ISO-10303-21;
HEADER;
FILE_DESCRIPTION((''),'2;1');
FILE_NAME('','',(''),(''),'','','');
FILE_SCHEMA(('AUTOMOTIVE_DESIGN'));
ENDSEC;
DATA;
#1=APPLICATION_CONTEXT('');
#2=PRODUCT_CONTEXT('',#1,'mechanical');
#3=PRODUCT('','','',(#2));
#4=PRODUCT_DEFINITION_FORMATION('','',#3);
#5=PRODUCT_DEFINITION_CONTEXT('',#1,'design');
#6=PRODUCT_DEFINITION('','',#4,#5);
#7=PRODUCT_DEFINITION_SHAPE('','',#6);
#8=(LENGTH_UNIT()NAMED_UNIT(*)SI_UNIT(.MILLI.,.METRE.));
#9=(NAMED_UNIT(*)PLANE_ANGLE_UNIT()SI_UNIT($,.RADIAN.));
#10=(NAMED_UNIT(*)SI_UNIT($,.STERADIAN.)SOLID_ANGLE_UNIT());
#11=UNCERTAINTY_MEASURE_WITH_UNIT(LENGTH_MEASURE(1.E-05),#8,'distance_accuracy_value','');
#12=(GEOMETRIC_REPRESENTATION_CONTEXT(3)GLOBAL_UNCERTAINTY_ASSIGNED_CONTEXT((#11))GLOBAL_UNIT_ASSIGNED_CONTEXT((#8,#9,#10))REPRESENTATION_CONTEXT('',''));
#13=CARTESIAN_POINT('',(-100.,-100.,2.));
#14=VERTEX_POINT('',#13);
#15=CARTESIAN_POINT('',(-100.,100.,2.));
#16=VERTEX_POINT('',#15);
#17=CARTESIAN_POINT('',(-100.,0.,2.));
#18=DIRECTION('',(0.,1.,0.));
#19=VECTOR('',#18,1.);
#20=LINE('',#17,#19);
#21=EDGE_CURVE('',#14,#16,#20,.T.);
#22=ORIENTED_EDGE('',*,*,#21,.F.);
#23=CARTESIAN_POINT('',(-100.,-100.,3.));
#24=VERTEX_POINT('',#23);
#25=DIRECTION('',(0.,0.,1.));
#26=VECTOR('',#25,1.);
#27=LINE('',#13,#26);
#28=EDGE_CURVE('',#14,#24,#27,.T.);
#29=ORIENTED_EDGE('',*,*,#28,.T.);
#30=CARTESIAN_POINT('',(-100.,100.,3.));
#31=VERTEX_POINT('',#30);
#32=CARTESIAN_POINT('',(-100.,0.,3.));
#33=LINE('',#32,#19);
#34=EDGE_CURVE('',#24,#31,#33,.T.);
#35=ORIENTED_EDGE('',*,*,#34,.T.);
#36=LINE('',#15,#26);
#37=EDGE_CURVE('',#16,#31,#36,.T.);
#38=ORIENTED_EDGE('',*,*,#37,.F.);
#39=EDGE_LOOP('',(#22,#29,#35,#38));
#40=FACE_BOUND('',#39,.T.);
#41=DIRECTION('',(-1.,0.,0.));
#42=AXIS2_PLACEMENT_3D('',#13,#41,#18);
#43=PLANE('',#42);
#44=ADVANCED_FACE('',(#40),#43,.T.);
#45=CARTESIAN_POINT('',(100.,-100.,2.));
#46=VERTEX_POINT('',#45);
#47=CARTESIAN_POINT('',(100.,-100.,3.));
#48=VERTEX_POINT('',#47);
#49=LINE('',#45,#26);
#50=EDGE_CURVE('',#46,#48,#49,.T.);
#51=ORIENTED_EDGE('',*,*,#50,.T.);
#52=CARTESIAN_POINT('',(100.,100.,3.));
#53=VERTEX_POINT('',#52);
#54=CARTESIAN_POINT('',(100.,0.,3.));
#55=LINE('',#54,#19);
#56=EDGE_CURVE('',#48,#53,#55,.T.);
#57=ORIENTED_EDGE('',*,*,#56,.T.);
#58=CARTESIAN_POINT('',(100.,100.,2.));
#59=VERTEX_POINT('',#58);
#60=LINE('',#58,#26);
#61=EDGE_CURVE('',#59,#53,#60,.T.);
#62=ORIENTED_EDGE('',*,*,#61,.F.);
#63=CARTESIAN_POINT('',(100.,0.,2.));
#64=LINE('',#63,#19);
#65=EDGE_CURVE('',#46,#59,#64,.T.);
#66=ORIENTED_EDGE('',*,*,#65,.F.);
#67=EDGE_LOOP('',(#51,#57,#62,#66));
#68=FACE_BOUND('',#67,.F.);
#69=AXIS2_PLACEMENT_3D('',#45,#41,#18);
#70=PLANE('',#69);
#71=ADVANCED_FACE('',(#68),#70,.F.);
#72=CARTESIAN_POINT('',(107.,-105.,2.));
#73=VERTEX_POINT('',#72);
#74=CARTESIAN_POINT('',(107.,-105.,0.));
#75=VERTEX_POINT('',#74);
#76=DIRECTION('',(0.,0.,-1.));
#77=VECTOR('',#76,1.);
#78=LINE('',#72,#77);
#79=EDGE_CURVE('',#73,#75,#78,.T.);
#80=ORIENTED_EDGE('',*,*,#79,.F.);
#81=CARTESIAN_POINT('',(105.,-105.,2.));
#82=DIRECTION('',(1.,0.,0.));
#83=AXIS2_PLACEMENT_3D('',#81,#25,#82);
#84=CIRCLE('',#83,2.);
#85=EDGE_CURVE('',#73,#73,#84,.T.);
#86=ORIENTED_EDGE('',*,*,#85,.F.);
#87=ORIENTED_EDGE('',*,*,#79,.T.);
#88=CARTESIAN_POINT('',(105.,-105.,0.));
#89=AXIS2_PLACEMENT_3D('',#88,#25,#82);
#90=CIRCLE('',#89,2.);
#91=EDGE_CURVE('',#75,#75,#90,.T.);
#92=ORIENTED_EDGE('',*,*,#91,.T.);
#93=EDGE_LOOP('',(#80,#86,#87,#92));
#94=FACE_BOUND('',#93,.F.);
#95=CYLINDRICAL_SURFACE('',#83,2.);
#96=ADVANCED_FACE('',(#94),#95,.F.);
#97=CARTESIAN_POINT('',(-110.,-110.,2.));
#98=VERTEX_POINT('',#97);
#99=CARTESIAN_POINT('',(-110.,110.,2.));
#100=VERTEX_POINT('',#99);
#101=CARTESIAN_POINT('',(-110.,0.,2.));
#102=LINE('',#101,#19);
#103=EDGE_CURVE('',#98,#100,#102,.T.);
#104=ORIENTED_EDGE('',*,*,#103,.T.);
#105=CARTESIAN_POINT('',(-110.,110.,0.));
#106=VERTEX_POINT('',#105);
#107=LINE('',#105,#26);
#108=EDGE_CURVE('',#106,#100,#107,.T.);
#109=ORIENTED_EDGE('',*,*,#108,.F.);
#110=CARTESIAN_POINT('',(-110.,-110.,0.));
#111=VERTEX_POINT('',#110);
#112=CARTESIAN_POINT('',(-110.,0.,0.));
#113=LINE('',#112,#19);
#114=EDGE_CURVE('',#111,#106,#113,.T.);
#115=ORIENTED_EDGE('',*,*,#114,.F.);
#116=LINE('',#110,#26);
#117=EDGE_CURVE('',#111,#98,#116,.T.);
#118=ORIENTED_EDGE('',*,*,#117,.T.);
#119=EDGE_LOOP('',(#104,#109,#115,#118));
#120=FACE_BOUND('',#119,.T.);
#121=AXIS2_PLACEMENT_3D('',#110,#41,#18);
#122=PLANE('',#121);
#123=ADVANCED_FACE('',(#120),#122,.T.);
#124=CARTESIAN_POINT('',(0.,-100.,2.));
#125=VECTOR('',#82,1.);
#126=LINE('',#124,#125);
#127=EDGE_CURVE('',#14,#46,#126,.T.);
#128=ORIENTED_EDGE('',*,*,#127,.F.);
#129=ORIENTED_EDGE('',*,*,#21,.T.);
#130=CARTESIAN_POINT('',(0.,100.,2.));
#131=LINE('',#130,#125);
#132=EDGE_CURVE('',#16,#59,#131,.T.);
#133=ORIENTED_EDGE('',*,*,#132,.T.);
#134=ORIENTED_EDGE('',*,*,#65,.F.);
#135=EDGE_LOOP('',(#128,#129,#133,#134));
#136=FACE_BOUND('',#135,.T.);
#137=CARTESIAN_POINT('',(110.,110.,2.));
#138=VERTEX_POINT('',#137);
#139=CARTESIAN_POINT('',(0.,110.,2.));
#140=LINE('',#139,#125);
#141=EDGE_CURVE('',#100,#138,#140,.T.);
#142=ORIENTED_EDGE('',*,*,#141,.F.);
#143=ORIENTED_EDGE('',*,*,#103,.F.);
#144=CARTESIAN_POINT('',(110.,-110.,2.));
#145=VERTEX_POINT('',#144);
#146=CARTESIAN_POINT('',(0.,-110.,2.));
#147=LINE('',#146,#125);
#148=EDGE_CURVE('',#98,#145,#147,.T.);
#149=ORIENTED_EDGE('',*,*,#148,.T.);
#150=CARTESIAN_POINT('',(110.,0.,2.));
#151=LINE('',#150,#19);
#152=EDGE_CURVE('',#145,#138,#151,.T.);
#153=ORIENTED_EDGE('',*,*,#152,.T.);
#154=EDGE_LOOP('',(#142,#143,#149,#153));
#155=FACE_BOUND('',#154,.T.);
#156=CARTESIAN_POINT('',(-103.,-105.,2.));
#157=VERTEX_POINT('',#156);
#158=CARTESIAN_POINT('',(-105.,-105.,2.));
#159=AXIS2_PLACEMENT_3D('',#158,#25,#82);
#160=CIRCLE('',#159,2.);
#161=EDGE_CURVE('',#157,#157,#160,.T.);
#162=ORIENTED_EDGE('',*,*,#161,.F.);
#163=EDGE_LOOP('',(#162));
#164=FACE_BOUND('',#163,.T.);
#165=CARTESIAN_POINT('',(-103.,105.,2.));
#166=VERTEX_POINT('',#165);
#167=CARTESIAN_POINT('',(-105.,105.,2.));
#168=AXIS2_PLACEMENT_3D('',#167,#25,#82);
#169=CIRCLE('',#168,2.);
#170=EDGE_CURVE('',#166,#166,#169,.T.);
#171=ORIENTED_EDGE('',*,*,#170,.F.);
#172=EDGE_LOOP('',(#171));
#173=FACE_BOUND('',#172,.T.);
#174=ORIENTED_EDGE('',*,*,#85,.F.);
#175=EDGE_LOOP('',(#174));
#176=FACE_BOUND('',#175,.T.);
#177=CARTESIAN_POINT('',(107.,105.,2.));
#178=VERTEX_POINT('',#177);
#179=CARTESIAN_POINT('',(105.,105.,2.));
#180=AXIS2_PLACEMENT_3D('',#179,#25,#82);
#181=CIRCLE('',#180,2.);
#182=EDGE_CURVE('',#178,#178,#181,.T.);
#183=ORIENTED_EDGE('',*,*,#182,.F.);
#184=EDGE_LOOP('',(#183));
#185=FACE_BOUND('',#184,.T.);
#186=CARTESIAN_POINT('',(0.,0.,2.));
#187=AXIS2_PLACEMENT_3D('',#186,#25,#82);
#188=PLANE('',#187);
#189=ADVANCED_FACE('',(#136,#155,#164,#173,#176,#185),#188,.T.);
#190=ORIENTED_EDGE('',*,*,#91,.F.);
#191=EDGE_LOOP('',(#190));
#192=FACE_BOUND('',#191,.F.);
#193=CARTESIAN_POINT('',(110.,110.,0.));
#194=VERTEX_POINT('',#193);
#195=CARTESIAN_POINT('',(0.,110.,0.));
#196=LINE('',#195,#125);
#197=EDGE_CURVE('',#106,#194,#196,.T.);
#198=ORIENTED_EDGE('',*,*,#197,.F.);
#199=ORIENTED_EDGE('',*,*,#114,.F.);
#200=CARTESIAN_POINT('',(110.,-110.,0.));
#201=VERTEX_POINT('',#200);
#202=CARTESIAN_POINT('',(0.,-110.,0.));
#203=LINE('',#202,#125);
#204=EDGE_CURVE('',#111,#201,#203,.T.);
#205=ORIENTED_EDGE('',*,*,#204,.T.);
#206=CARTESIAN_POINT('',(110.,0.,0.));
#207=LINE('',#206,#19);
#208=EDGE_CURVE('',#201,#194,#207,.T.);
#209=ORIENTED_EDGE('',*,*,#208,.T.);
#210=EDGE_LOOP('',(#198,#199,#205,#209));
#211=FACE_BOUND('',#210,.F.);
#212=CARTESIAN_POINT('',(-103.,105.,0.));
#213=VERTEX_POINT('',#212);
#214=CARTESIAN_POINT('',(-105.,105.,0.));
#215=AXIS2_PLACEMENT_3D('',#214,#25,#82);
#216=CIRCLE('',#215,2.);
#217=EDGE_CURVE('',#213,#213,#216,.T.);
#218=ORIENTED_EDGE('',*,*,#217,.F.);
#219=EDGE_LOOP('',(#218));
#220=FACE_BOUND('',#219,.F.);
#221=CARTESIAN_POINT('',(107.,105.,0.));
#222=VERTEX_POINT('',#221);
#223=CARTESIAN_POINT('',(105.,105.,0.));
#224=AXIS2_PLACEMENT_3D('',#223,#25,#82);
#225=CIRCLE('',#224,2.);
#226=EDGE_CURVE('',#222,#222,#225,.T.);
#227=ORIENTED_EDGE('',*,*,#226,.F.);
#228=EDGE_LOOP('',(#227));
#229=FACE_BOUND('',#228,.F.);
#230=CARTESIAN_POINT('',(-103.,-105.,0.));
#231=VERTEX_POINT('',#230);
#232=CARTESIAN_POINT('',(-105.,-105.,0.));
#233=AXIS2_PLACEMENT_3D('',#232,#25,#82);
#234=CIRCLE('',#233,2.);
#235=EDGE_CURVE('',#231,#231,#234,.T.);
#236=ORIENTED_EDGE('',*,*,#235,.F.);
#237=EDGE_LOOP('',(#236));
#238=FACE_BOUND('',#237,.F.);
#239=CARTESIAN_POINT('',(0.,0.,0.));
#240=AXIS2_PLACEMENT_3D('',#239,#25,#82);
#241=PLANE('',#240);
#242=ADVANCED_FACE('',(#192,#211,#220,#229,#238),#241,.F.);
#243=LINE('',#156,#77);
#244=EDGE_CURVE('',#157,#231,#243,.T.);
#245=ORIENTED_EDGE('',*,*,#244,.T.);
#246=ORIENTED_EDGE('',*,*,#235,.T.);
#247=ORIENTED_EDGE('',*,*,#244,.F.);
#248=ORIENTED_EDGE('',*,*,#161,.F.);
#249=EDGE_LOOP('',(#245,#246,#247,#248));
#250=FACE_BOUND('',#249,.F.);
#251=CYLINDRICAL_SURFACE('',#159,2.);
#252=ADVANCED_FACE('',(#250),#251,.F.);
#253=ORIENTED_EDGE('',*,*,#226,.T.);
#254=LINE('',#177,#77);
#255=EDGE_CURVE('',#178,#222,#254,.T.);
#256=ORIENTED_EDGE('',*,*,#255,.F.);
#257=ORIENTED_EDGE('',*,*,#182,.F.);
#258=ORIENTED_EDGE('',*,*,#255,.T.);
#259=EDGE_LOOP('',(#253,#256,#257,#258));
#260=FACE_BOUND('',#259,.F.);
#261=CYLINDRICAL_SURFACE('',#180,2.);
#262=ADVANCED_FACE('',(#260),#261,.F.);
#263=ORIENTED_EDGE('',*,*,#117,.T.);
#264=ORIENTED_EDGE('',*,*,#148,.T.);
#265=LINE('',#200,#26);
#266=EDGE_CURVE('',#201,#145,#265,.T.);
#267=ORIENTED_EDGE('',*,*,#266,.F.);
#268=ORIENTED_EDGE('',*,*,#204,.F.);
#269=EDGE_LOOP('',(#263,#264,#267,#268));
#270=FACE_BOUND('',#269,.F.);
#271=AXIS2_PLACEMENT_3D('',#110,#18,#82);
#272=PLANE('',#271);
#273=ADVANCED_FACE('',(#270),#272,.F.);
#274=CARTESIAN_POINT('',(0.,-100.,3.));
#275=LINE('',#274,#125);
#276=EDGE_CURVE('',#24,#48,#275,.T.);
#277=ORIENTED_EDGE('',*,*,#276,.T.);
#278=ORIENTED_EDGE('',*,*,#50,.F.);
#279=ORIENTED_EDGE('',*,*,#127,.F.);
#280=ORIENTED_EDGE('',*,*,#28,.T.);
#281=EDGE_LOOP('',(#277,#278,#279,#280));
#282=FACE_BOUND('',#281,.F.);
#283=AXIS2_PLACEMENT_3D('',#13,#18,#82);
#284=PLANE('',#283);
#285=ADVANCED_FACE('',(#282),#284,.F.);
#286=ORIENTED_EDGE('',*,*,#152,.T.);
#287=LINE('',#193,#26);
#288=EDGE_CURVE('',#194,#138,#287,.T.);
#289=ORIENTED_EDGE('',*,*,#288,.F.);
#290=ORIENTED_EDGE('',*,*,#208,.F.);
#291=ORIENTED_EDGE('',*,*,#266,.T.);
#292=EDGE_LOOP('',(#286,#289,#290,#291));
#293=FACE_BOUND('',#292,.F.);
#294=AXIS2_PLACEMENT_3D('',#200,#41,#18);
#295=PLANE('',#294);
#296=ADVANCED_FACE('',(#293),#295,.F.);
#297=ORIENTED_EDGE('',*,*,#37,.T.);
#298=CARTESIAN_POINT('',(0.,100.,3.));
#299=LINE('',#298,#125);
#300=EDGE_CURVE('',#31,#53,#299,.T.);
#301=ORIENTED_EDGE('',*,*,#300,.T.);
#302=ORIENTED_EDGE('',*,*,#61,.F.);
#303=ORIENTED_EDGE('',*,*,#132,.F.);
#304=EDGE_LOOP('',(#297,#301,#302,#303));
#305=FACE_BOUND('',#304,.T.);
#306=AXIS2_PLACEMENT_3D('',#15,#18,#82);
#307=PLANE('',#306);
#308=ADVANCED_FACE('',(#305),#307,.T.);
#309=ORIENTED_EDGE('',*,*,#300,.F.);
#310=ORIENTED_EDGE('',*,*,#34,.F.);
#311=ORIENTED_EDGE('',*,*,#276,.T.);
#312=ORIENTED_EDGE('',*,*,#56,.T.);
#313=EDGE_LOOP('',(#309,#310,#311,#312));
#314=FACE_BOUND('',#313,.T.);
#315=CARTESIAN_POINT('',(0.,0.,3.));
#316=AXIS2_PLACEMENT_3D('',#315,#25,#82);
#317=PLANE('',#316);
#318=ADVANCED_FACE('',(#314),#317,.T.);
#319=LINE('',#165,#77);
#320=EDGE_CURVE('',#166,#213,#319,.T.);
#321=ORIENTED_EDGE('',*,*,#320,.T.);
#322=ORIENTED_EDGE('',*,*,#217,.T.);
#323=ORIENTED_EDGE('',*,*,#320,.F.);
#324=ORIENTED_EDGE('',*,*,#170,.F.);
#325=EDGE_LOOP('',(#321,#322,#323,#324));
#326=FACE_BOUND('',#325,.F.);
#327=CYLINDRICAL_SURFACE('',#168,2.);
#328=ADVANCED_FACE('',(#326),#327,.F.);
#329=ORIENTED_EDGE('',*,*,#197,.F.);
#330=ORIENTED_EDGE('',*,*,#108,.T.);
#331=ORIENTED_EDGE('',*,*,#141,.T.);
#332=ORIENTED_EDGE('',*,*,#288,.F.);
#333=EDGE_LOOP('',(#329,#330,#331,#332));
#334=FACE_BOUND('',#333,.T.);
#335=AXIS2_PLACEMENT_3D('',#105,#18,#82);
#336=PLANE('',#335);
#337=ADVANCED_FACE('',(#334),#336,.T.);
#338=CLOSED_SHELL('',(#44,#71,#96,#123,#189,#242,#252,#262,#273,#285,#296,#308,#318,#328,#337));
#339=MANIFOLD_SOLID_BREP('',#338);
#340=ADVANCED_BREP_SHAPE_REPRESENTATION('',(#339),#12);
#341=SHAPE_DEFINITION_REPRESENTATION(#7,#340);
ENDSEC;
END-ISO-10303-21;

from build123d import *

# Parameters (mm, degrees)
F0_W     = 220
F0_H     = 220
F1_DEPTH = 2
F2_R     = 2
F3_DEPTH = 25
F4_W     = 200
F4_H     = 200
F5_DEPTH = 1


with BuildPart() as f1:
    # F0 (on Top) → F1 (new body)
    with BuildSketch(Plane.XY):
        Rectangle(F0_W, F0_H)
    extrude(amount=F1_DEPTH)

    # F2 (on face) → F3 (cut)
    with BuildSketch(Plane.XY.offset(2)):
        with Locations((-105, -105)):
            Circle(F2_R)
        with Locations((105, -105)):
            Circle(F2_R)
        with Locations((105, 105)):
            Circle(F2_R)
        with Locations((-105, 105)):
            Circle(F2_R)
    extrude(amount=-F3_DEPTH, mode=Mode.SUBTRACT)

    # F4 (on face) → F5 (join)
    with BuildSketch(Plane.XY.offset(2)):
        Rectangle(F4_W, F4_H)
    extrude(amount=F5_DEPTH)


solid = f1.part
